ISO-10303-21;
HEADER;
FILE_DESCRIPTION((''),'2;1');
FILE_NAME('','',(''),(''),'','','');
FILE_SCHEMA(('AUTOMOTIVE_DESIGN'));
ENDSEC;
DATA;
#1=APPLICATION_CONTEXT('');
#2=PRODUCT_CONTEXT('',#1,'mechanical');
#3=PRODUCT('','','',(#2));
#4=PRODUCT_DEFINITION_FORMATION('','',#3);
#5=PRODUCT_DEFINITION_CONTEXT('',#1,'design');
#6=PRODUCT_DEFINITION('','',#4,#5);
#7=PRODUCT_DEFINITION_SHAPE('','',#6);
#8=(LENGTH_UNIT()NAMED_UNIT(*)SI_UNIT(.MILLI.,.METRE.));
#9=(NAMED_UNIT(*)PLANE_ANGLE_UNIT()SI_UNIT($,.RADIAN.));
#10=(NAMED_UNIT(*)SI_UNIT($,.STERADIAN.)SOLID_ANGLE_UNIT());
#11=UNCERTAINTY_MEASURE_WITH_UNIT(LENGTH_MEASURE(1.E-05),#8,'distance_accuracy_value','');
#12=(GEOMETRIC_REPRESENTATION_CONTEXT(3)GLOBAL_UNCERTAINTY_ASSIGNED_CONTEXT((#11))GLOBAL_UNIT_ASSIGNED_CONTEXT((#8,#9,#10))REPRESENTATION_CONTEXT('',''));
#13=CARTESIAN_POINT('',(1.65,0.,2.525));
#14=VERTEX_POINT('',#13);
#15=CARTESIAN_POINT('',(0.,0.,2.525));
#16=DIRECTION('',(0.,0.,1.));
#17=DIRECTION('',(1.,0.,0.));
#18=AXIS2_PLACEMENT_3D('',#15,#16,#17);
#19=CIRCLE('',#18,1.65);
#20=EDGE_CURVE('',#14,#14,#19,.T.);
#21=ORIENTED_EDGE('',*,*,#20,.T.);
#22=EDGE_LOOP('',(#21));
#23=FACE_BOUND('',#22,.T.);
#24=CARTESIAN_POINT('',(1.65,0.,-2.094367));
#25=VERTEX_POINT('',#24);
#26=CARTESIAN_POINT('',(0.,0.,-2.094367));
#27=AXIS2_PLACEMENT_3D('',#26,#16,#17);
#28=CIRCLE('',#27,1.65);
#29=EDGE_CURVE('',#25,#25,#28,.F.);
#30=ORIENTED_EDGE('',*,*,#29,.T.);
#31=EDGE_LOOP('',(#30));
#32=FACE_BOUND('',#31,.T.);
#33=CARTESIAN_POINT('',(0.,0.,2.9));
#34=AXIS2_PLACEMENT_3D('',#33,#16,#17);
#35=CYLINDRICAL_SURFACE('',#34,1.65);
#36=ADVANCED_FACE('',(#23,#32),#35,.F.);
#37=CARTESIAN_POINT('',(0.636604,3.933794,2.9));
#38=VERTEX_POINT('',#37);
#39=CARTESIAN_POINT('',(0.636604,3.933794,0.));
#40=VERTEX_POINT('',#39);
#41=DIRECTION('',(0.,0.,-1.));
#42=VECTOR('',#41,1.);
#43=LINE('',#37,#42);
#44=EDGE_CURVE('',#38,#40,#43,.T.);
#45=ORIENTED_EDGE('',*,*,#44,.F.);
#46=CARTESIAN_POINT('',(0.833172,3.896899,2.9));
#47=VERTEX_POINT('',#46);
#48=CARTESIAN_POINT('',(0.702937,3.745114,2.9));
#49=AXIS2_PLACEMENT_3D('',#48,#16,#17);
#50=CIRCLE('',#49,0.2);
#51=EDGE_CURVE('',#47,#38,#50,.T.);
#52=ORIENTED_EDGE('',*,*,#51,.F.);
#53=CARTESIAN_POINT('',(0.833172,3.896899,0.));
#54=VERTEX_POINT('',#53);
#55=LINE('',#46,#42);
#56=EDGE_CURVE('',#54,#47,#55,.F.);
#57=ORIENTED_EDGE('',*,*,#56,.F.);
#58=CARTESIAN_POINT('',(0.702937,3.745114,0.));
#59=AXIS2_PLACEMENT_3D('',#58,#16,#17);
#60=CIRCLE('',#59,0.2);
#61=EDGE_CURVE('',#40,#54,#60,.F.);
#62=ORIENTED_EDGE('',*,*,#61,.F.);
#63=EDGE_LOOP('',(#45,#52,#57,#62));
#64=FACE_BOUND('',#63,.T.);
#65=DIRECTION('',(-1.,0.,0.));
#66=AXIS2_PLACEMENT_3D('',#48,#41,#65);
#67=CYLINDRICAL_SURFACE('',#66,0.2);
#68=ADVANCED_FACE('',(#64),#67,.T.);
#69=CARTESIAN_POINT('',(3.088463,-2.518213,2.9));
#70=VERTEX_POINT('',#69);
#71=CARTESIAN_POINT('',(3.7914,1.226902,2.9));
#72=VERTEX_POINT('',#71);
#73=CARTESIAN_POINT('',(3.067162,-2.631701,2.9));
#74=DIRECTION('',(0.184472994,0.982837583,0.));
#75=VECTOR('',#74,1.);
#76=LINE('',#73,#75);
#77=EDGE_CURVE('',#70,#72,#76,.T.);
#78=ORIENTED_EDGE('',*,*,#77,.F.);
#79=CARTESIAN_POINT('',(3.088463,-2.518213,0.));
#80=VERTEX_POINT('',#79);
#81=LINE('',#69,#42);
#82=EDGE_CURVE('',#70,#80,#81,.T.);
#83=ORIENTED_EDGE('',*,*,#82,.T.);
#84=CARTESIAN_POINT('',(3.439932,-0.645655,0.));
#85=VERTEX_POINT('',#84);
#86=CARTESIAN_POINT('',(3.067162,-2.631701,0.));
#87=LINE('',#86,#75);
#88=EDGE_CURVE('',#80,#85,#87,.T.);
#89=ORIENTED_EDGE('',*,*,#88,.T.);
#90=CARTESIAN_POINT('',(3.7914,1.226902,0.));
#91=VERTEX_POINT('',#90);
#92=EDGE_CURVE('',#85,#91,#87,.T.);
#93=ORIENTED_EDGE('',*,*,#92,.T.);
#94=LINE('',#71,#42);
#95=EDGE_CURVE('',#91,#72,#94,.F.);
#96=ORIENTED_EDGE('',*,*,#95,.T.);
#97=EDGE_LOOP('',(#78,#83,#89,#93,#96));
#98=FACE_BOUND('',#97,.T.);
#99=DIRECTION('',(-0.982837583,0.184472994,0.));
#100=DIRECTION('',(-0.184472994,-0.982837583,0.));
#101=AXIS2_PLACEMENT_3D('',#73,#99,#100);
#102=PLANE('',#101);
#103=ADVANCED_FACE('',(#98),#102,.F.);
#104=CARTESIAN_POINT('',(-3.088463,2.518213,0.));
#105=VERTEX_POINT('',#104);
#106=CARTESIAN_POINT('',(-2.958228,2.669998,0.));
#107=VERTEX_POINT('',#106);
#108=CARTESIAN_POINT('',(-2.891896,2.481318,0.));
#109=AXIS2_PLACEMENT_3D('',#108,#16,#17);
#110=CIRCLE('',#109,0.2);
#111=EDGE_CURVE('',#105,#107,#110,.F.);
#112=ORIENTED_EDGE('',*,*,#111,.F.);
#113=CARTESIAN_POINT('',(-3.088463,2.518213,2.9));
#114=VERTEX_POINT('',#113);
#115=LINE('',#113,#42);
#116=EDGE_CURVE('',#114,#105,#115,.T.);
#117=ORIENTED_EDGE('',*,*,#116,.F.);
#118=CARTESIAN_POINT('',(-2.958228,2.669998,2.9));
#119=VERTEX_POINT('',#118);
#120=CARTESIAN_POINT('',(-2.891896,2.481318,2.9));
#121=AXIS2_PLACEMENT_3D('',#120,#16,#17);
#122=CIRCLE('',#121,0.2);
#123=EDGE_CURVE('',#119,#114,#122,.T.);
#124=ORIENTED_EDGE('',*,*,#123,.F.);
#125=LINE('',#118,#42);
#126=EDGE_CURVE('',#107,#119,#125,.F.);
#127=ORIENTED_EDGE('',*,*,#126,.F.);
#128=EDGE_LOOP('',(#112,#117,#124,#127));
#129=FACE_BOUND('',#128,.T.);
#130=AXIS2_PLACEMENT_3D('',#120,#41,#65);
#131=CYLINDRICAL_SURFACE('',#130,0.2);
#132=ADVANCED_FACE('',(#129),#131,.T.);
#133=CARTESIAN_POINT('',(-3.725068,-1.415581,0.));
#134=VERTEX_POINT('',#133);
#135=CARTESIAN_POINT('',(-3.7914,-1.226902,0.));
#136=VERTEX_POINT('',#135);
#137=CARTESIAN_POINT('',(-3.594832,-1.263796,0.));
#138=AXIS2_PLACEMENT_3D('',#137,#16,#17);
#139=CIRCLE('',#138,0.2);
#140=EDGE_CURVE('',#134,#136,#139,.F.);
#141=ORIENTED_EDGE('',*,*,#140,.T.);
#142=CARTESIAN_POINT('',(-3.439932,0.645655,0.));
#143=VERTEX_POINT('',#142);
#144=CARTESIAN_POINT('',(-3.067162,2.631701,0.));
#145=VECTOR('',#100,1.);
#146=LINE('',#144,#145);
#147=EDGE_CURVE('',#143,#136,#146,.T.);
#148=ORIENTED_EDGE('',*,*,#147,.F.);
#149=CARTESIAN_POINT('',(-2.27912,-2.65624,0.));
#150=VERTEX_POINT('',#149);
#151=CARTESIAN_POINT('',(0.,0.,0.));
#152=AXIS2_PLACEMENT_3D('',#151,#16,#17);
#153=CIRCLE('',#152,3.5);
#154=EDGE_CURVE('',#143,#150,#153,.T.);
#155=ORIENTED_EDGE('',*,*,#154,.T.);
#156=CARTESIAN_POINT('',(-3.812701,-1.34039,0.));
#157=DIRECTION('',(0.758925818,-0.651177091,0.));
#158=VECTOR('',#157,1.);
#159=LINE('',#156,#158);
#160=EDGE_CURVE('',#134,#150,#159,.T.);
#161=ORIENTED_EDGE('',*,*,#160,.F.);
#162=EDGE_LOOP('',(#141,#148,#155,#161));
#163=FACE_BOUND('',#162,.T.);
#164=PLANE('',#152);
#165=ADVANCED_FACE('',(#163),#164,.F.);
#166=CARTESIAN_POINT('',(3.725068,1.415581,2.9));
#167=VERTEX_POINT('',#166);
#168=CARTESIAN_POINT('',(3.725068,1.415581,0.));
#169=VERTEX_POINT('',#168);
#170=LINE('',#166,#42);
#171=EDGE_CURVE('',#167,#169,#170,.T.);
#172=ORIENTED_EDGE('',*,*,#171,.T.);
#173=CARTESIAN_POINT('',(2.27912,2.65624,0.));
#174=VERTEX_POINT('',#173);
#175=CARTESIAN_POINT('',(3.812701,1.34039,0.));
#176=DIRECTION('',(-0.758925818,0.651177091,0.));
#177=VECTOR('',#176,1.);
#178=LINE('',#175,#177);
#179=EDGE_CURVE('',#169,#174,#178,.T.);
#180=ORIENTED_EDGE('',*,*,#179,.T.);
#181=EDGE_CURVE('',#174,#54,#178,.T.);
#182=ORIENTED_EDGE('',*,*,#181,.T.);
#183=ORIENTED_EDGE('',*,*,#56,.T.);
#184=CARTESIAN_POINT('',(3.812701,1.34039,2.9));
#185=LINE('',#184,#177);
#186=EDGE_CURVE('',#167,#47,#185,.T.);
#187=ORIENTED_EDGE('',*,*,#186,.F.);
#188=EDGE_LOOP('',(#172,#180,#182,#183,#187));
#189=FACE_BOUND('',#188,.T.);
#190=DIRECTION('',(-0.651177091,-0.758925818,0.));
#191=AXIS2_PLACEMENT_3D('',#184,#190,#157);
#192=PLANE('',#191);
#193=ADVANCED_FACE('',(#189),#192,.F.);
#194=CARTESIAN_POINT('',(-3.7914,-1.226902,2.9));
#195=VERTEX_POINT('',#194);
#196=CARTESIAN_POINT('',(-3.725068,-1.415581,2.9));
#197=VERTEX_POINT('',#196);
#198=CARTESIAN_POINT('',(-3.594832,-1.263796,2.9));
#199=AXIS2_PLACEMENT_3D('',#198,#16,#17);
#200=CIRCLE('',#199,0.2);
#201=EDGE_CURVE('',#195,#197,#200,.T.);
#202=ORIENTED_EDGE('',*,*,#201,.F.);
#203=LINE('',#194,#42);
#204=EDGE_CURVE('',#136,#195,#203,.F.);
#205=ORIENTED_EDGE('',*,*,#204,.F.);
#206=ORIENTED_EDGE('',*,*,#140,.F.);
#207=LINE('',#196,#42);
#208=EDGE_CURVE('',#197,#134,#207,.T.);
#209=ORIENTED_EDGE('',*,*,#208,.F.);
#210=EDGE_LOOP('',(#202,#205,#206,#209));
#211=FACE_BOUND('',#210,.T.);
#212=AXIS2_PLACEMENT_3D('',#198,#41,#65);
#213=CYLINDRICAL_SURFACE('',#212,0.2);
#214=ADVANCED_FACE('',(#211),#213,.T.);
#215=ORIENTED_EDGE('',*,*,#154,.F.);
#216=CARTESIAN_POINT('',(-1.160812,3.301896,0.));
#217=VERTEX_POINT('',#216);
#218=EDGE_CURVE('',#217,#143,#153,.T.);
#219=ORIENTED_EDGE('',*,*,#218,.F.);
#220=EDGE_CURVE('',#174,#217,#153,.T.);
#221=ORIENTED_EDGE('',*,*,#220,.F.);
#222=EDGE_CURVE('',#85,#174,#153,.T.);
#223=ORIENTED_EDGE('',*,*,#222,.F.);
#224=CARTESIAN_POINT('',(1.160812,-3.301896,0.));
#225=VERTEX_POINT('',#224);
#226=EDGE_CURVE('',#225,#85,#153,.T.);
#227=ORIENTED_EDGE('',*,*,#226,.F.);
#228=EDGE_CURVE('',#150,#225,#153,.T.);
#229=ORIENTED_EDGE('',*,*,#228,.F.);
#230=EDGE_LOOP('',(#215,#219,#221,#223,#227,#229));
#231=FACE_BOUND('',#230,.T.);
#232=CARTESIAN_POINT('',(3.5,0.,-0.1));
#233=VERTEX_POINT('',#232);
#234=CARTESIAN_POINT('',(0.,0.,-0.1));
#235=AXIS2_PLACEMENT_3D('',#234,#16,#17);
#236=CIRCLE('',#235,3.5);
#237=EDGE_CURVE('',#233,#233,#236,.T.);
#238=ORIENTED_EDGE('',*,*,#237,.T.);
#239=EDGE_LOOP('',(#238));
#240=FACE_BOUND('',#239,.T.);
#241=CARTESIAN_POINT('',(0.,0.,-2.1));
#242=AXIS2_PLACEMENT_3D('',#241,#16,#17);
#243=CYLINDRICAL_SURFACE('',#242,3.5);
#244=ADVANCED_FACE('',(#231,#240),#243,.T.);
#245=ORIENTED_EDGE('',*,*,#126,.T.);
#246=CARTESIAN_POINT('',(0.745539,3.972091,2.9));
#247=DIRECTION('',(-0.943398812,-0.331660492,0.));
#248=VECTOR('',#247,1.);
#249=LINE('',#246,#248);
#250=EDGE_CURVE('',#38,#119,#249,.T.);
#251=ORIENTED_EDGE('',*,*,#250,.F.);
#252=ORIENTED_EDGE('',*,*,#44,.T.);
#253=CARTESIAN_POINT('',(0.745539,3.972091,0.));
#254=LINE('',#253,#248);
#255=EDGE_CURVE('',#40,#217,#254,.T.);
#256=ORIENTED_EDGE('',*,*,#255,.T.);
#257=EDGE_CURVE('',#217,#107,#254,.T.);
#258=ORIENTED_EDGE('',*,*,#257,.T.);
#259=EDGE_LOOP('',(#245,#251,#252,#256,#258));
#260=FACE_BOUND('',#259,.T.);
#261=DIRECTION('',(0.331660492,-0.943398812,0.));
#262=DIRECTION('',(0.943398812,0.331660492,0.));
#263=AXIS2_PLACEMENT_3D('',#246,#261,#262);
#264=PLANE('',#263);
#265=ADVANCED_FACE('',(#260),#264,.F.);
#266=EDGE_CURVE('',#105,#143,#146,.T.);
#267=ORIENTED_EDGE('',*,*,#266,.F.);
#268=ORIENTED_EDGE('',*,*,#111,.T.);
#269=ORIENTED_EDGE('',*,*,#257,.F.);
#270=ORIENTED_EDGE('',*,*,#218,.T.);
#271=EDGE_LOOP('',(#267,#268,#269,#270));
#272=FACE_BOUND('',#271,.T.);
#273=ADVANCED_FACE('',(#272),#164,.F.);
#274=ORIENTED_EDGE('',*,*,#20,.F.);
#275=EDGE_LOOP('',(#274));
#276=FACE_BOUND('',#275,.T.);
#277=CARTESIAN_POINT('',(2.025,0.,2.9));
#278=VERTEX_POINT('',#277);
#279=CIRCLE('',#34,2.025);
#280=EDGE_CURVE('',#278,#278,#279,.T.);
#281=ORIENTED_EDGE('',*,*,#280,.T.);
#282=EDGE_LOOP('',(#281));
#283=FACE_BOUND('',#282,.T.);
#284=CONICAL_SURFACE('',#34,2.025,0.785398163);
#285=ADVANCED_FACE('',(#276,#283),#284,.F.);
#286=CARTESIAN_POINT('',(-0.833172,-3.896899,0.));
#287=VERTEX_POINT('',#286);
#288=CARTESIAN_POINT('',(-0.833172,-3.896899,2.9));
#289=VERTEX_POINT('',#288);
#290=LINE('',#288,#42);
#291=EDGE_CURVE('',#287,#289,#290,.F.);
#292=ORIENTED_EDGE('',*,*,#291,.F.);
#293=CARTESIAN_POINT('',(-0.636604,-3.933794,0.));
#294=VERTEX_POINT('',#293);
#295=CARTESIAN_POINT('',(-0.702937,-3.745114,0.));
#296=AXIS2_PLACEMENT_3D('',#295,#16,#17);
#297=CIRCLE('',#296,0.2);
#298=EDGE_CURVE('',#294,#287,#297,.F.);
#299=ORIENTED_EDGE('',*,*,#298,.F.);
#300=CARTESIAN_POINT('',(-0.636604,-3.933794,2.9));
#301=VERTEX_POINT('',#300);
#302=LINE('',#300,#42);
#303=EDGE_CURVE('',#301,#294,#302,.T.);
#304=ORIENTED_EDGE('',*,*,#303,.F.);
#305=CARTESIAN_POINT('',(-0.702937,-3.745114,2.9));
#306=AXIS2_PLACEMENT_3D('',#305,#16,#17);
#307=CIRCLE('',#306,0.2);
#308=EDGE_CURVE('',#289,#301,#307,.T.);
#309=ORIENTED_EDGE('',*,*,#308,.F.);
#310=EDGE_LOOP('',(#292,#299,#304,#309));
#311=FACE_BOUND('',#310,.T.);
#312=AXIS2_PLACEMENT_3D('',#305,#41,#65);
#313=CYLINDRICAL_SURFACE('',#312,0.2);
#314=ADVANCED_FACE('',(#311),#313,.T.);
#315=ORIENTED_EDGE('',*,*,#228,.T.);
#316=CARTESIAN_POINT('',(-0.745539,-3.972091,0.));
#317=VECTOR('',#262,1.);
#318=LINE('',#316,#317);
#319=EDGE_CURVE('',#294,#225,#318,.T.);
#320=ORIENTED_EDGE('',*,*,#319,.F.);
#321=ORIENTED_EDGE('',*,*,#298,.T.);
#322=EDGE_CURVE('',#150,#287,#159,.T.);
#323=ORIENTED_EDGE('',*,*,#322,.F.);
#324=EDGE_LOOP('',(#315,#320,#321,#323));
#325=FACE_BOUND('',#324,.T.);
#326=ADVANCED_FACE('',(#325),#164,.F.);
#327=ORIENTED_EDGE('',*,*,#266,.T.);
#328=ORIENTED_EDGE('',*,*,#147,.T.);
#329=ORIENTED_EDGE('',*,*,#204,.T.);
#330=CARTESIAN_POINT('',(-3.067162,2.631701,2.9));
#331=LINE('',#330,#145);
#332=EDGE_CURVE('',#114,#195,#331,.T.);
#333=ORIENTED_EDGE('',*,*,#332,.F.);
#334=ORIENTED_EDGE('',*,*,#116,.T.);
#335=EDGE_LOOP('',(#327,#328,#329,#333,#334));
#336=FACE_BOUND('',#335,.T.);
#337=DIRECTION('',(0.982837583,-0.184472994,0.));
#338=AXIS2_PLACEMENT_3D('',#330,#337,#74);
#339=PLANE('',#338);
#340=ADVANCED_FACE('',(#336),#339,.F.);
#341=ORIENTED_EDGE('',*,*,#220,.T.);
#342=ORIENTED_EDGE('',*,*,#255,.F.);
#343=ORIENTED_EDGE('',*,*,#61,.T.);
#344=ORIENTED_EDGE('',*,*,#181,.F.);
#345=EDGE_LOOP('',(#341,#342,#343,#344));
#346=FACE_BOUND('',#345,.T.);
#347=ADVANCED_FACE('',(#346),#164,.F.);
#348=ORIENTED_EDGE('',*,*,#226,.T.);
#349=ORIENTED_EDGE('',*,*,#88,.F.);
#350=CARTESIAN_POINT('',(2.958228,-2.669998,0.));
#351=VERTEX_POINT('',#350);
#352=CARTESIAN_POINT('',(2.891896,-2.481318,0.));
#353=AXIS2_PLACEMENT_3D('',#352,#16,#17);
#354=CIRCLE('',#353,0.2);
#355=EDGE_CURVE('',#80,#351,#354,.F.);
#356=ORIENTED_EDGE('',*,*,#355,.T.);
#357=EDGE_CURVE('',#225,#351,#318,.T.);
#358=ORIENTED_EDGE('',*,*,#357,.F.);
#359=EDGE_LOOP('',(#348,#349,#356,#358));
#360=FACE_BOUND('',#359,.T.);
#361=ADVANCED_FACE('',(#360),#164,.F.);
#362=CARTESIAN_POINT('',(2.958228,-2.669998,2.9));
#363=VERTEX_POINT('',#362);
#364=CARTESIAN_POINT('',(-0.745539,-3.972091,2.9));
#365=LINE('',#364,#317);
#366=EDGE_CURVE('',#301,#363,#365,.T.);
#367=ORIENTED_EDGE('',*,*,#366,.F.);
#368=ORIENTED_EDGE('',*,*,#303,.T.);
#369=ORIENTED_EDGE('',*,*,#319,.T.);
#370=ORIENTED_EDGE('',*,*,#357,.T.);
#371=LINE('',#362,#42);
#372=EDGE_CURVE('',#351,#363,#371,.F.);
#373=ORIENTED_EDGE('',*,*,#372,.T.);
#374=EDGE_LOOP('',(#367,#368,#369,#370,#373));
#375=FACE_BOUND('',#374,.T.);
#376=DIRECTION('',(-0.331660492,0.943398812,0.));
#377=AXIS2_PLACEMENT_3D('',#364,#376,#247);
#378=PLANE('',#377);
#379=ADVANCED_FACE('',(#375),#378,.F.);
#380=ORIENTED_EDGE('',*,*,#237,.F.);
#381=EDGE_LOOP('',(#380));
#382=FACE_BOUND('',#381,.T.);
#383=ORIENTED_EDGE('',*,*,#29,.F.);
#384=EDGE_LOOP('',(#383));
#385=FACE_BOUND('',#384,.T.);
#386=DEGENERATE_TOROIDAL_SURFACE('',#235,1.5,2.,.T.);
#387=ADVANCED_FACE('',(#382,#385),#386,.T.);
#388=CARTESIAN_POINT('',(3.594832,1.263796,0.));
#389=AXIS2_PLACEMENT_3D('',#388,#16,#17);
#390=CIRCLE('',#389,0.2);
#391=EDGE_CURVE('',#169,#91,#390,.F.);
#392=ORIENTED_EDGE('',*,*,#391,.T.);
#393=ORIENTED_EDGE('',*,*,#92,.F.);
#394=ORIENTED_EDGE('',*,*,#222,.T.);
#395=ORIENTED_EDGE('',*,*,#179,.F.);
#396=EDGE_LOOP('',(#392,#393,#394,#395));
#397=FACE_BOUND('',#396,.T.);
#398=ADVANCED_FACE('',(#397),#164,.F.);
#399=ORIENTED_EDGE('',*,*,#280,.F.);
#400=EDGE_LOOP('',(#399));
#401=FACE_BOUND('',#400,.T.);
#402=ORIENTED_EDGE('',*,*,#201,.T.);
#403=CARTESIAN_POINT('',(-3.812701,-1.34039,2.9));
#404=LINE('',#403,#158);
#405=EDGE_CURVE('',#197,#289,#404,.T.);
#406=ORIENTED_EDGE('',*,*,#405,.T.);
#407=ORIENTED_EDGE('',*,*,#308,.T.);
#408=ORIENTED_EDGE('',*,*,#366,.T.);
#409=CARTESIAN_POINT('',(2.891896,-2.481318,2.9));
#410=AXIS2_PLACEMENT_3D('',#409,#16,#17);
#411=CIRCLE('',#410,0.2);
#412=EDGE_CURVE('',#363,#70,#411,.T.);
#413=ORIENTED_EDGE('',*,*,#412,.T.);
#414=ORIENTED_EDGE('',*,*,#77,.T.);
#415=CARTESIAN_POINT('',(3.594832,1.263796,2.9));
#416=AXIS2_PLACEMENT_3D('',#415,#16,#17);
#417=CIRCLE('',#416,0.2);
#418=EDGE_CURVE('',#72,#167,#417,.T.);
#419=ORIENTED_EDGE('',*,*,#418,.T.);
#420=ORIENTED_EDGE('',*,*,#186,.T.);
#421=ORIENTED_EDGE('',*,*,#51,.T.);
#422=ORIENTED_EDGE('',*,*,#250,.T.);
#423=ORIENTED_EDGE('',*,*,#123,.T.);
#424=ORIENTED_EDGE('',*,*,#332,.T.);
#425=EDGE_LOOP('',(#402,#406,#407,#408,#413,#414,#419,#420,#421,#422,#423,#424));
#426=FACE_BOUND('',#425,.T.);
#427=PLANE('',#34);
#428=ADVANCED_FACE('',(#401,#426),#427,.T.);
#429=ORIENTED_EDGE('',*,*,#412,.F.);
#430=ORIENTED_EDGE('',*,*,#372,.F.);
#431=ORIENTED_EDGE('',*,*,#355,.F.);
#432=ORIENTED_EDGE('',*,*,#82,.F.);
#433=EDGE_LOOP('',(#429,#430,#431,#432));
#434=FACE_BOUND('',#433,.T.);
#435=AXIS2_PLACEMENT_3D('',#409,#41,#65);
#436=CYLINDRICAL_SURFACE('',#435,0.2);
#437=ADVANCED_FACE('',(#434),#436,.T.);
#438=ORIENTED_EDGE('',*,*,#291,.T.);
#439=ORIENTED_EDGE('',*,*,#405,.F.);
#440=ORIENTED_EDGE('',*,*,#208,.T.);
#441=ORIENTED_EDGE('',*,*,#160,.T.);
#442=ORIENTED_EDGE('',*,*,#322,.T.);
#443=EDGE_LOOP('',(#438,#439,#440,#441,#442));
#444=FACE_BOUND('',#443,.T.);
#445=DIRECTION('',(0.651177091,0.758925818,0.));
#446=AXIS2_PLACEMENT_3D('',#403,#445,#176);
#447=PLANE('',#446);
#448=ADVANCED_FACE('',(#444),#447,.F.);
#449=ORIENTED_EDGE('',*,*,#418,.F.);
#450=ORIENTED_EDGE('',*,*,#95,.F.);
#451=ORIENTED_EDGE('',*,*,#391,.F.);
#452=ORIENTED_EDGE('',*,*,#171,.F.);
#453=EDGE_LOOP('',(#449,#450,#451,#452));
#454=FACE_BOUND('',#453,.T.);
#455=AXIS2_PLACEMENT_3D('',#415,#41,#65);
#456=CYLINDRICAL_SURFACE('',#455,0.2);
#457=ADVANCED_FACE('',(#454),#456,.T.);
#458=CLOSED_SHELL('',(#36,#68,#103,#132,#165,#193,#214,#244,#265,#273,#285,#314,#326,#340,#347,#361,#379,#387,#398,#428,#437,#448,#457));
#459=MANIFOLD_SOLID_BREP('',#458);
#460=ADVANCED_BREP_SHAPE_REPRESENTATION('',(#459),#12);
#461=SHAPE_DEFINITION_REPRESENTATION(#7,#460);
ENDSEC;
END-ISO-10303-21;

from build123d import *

# Parameters (mm, degrees)
EXTRUDE_1_DEPTH              = 2.9
SKETCH_2_R                   = 3.5
EXTRUDE_3_DEPTH              = 5
FILLET_1_R                   = 2
FILLET_2_R                   = 0.2
HOLE_WIZARD_M4_2_D           = 3.3
HOLE_WIZARD_M4_2_DEPTH       = 10.1
HOLE_WIZARD_M4_2_CSINK_D     = 4.05
HOLE_WIZARD_M4_2_CSINK_ANGLE = 90
HOLE_WIZARD_M4_2_TIP         = 0.991420021


with BuildPart() as part:
    # 草图1 → 凸台-拉伸1 (new body)
    with BuildSketch(Plane.XY):
        Polygon((3.067162176, -2.631700879), (3.812700905, 1.340389922), (0.745538729, 3.972090802), (-3.067162176, 2.631700879), (-3.812700905, -1.340389922), (-0.745538729, -3.972090802), align=None)
    extrude(amount=EXTRUDE_1_DEPTH)

    # 草图2 → 凸台-拉伸3 (add)
    with BuildSketch(Plane.XY.offset(2.9)):
        Circle(SKETCH_2_R)
    extrude(amount=-EXTRUDE_3_DEPTH)

    # 圆角1
    fillet_1_edges = [part.edges().sort_by_distance(p)[0] for p in [
        (-3.5, 0, -2.1),
    ]]
    fillet(fillet_1_edges, radius=FILLET_1_R)

    # 圆角2
    fillet_2_edges = [part.edges().sort_by_distance(p)[0] for p in [
        (-0.745538729, -3.972090802, 1.45),
        (-3.812700905, -1.340389922, 1.45),
        (-3.067162176, 2.631700879, 1.45),
        (0.745538729, 3.972090802, 1.45),
        (3.812700905, 1.340389922, 1.45),
        (3.067162176, -2.631700879, 1.45),
    ]]
    fillet(fillet_2_edges, radius=FILLET_2_R)

    # M4 螺纹孔2
    with Locations(Plane.XY.offset(2.9)):
        with Locations((0, 0)):
            CounterSinkHole(HOLE_WIZARD_M4_2_D / 2, HOLE_WIZARD_M4_2_CSINK_D / 2, depth=HOLE_WIZARD_M4_2_DEPTH, counter_sink_angle=HOLE_WIZARD_M4_2_CSINK_ANGLE)
            with Locations((0, 0, -(HOLE_WIZARD_M4_2_DEPTH + HOLE_WIZARD_M4_2_TIP / 2))):  # 118° drill point
                Cone(0, HOLE_WIZARD_M4_2_D / 2, HOLE_WIZARD_M4_2_TIP, mode=Mode.SUBTRACT)


solid = part.part
